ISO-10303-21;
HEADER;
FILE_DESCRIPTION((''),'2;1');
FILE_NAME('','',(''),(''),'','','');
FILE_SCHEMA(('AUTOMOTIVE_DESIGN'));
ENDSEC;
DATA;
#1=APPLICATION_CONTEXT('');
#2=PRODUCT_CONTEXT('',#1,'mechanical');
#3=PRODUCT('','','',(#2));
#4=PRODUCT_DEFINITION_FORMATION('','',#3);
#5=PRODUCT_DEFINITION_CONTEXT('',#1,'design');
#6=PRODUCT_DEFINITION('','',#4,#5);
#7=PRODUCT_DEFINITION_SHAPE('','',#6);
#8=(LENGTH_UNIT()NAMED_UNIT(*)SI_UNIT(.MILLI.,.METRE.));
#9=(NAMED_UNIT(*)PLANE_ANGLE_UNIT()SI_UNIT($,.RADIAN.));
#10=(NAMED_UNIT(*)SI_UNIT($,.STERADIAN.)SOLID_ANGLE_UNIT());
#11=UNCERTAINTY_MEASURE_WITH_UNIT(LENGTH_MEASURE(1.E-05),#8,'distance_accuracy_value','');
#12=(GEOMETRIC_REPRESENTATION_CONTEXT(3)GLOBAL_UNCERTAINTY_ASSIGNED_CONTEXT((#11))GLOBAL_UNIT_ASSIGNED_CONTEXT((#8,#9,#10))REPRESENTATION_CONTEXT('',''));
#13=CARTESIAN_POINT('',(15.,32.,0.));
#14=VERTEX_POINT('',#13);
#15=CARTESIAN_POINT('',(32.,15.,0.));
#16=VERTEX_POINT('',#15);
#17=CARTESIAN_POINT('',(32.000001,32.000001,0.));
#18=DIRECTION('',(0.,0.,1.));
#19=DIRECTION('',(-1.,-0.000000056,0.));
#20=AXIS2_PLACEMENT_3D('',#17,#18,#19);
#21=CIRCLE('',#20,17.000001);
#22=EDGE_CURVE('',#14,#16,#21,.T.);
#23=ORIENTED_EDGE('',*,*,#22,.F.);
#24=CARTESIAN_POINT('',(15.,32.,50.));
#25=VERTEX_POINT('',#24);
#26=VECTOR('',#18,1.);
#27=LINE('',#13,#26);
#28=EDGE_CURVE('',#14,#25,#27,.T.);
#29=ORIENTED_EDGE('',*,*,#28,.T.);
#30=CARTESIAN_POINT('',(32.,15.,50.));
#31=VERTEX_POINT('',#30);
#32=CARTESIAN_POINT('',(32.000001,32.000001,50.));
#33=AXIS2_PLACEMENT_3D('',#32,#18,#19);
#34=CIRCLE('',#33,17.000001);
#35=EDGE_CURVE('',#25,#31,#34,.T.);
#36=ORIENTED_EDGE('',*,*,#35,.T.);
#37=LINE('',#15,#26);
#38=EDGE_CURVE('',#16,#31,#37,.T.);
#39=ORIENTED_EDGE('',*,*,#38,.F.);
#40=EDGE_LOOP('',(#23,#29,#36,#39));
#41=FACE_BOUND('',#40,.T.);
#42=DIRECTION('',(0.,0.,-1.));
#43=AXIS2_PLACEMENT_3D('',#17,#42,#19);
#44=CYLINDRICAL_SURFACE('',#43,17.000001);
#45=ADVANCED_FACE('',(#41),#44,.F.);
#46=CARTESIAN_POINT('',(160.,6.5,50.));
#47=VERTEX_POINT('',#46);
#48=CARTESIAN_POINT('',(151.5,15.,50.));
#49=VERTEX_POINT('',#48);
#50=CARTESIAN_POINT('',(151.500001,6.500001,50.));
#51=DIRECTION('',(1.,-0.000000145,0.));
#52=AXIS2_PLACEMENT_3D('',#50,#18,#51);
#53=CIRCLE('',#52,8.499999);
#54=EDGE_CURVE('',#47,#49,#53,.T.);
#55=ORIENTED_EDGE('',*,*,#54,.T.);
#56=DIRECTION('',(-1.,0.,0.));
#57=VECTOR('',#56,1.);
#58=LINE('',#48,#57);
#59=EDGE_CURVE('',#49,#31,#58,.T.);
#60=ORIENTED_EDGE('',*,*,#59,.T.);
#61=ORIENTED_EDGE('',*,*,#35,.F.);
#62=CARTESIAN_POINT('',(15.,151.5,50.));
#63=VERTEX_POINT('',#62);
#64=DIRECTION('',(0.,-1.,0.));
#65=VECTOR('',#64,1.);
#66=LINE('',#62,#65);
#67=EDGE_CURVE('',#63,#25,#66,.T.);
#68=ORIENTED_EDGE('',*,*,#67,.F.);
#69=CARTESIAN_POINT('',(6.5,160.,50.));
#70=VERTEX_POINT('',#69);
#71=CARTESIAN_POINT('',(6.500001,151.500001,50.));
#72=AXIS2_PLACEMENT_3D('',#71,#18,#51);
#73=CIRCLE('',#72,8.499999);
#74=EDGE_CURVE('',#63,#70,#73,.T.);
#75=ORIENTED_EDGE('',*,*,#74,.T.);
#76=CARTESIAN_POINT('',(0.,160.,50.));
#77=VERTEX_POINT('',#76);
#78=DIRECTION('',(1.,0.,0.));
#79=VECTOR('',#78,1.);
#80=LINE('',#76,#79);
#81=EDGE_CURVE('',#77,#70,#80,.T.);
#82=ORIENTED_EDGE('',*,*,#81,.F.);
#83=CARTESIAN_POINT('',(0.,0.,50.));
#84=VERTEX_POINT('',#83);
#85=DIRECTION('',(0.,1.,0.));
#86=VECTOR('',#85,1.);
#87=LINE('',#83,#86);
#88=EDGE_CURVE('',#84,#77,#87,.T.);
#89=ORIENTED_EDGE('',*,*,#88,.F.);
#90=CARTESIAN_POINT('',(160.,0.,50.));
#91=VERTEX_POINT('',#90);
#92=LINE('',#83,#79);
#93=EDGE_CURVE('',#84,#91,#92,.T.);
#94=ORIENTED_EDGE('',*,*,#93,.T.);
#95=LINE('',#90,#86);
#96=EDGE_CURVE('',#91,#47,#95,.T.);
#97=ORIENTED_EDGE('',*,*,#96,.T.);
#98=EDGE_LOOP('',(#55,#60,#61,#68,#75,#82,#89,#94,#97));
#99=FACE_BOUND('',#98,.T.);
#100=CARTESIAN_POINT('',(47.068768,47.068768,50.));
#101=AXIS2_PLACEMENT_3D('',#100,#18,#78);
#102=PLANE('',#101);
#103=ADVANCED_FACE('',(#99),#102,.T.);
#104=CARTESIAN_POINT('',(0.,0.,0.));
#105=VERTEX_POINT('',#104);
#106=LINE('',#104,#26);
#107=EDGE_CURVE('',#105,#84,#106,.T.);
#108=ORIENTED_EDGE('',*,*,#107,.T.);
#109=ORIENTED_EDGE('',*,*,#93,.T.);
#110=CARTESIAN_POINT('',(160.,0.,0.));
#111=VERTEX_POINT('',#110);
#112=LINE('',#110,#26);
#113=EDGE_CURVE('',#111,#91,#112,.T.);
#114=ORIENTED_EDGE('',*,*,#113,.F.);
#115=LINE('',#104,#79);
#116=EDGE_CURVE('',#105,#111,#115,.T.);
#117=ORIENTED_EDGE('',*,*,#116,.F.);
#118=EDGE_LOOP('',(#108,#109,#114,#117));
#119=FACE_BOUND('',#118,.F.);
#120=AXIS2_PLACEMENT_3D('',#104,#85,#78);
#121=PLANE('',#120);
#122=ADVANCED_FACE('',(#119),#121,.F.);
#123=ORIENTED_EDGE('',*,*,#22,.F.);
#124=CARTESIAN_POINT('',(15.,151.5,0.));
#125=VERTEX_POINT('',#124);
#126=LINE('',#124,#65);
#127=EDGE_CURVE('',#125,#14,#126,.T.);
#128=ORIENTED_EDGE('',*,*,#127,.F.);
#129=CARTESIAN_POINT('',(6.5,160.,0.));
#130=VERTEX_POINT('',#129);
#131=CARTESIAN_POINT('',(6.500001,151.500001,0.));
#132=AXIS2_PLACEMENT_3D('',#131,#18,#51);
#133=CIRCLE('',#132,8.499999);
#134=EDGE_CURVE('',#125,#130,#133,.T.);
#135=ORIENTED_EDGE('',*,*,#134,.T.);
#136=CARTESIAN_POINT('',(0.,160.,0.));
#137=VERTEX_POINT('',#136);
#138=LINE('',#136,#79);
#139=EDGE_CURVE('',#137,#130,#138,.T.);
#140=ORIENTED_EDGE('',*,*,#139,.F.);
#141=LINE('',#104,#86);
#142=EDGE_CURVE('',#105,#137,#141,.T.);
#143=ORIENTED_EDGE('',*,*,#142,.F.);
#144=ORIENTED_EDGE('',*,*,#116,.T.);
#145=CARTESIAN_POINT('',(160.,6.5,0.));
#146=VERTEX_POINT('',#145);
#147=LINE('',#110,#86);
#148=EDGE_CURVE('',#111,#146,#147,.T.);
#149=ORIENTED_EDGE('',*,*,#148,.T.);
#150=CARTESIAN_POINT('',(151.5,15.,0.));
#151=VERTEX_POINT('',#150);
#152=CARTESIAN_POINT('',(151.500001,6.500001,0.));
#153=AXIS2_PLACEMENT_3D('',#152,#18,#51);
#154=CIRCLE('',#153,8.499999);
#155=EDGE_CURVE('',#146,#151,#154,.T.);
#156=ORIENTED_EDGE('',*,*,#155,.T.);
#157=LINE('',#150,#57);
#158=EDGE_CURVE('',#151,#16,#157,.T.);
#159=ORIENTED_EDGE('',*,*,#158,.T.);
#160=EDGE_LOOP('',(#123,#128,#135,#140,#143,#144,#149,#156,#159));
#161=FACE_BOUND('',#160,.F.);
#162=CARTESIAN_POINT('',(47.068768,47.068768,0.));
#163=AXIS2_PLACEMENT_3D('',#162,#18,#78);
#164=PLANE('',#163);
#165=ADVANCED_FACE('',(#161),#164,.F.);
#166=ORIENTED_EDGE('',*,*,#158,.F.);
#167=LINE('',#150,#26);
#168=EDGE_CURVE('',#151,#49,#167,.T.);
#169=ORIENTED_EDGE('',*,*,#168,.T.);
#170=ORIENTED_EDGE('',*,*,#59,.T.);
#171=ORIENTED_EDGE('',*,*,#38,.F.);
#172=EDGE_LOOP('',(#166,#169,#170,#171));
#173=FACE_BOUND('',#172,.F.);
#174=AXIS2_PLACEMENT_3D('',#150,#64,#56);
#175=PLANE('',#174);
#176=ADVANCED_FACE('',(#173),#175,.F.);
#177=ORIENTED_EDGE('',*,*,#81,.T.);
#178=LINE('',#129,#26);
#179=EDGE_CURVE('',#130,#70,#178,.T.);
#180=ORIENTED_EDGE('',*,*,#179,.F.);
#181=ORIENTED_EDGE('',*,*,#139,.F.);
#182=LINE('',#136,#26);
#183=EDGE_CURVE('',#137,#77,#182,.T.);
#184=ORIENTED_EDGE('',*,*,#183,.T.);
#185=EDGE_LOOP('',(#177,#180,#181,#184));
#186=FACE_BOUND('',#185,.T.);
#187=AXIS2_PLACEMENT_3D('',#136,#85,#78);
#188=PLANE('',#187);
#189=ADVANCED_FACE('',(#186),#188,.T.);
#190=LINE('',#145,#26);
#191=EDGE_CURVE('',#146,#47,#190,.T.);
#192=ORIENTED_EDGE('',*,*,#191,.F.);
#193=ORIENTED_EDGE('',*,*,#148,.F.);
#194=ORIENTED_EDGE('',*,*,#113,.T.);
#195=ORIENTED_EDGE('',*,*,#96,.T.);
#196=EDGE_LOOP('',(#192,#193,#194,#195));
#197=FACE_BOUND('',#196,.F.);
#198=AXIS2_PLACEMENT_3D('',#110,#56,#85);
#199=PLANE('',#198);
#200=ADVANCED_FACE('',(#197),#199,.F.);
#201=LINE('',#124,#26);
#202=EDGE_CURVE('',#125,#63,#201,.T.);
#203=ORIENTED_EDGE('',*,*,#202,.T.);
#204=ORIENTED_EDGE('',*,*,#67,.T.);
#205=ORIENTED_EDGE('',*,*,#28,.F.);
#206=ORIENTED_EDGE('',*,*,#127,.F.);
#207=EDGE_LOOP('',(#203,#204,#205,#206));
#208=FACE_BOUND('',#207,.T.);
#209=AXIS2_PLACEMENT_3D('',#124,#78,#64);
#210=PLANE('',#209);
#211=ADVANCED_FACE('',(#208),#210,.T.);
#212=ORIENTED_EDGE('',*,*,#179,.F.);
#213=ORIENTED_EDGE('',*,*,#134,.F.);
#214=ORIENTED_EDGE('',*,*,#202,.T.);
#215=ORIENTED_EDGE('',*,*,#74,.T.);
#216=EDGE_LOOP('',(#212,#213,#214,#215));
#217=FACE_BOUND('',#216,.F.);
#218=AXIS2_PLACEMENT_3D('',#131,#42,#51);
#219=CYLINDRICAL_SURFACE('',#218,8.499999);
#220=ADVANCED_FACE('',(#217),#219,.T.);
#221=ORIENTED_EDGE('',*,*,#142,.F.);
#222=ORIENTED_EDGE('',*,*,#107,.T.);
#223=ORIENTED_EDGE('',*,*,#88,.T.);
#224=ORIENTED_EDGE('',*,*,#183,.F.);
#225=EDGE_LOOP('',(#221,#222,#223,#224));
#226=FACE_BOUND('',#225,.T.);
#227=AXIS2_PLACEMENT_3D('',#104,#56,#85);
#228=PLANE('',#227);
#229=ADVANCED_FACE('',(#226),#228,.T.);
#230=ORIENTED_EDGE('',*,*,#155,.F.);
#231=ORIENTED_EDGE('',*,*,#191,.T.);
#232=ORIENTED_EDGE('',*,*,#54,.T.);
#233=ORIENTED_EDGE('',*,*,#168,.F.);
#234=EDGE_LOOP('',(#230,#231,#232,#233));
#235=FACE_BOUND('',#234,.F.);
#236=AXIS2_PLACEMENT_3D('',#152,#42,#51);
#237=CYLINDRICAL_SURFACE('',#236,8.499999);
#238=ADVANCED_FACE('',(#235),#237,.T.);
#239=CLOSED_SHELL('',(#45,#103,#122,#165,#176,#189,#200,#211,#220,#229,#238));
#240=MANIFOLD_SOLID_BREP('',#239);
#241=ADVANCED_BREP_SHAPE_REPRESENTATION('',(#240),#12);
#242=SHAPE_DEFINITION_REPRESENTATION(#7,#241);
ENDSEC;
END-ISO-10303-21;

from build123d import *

# Parameters (mm, degrees)
EXTRUDE_DEPTH = 50


with BuildPart() as part:
    # Sketch → Extrude (new body)
    with BuildSketch(Plane.XY):
        with BuildLine():
            Line((0, 0), (160, 0))
            Line((160, 0), (160, 6.5))
            ThreePointArc((160, 6.5), (157.510408, 12.510408), (151.5, 15))
            Line((151.5, 15), (32, 15))
            ThreePointArc((15, 32), (19.979185, 19.979185), (32, 15))
            Line((15, 151.5), (15, 32))
            ThreePointArc((15, 151.5), (12.510408, 157.510408), (6.5, 160))
            Line((0, 160), (6.5, 160))
            Line((0, 0), (0, 160))
        make_face()
    extrude(amount=EXTRUDE_DEPTH)


solid = part.part
